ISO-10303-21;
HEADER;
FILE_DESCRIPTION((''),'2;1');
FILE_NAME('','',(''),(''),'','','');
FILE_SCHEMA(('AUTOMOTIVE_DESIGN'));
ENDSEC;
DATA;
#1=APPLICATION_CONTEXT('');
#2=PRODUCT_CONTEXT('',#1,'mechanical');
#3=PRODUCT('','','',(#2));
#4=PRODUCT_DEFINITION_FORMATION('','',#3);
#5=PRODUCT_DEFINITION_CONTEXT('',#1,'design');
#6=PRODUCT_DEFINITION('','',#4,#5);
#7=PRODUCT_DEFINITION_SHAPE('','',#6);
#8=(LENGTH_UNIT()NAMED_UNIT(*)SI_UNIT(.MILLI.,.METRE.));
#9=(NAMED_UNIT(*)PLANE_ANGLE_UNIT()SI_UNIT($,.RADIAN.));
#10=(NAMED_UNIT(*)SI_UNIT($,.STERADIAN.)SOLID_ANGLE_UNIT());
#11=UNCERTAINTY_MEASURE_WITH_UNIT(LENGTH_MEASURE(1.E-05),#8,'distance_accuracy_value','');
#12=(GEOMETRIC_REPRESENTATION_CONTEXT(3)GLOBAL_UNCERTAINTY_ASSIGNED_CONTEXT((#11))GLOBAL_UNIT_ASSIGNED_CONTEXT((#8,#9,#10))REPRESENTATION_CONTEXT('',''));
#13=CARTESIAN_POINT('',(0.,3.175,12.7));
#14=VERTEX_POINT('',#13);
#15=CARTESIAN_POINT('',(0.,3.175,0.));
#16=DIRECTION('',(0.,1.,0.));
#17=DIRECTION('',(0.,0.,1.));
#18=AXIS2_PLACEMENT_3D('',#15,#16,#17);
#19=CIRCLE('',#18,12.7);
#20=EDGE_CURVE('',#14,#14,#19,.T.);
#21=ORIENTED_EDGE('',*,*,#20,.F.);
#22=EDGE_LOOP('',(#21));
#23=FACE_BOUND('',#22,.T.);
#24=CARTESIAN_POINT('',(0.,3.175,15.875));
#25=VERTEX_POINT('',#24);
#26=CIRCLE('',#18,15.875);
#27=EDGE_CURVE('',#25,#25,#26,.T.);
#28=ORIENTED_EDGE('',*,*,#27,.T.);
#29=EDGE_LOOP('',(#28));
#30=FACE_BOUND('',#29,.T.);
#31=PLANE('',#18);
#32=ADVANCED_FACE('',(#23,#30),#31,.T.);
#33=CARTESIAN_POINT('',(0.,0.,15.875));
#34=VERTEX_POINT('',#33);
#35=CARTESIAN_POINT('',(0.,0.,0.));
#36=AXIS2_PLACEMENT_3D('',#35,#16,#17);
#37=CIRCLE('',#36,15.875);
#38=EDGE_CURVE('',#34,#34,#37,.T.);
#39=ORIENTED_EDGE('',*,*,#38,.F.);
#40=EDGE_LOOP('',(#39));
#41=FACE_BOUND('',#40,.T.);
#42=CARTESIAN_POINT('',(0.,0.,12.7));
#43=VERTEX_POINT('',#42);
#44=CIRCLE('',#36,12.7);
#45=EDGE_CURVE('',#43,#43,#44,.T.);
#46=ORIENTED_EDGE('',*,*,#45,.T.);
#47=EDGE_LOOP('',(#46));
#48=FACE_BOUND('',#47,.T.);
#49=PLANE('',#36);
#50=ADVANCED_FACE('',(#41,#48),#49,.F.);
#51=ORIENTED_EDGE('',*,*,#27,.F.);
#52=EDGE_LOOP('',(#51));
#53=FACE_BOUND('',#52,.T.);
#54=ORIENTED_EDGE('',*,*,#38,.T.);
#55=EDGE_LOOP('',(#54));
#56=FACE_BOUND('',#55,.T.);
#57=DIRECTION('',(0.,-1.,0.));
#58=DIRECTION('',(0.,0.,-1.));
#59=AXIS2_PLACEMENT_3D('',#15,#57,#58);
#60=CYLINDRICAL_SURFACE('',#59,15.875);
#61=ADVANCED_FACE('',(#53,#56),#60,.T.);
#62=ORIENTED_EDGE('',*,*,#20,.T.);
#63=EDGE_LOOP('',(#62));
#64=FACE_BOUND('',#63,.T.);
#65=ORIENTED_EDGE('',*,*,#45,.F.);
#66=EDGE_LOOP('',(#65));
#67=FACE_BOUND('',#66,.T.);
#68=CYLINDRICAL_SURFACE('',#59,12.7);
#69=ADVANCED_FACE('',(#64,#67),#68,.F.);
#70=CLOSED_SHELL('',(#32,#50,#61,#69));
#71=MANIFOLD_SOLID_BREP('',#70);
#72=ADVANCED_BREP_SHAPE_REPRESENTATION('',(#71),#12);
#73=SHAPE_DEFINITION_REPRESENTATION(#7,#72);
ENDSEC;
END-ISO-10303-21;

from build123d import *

# Parameters (mm, degrees)
SKETCH1_R           = 15.875
SKETCH1_R_2         = 12.7
BOSS_EXTRUDE1_DEPTH = 3.175


with BuildPart() as part:
    # Sketch1 → Boss-Extrude1 (new body)
    with BuildSketch(Plane(origin=(0, 0, 0), x_dir=(1, 0, 0), z_dir=(0, 1, 0))):
        Circle(SKETCH1_R)
        Circle(SKETCH1_R_2, mode=Mode.SUBTRACT)
    extrude(amount=BOSS_EXTRUDE1_DEPTH)


solid = part.part
